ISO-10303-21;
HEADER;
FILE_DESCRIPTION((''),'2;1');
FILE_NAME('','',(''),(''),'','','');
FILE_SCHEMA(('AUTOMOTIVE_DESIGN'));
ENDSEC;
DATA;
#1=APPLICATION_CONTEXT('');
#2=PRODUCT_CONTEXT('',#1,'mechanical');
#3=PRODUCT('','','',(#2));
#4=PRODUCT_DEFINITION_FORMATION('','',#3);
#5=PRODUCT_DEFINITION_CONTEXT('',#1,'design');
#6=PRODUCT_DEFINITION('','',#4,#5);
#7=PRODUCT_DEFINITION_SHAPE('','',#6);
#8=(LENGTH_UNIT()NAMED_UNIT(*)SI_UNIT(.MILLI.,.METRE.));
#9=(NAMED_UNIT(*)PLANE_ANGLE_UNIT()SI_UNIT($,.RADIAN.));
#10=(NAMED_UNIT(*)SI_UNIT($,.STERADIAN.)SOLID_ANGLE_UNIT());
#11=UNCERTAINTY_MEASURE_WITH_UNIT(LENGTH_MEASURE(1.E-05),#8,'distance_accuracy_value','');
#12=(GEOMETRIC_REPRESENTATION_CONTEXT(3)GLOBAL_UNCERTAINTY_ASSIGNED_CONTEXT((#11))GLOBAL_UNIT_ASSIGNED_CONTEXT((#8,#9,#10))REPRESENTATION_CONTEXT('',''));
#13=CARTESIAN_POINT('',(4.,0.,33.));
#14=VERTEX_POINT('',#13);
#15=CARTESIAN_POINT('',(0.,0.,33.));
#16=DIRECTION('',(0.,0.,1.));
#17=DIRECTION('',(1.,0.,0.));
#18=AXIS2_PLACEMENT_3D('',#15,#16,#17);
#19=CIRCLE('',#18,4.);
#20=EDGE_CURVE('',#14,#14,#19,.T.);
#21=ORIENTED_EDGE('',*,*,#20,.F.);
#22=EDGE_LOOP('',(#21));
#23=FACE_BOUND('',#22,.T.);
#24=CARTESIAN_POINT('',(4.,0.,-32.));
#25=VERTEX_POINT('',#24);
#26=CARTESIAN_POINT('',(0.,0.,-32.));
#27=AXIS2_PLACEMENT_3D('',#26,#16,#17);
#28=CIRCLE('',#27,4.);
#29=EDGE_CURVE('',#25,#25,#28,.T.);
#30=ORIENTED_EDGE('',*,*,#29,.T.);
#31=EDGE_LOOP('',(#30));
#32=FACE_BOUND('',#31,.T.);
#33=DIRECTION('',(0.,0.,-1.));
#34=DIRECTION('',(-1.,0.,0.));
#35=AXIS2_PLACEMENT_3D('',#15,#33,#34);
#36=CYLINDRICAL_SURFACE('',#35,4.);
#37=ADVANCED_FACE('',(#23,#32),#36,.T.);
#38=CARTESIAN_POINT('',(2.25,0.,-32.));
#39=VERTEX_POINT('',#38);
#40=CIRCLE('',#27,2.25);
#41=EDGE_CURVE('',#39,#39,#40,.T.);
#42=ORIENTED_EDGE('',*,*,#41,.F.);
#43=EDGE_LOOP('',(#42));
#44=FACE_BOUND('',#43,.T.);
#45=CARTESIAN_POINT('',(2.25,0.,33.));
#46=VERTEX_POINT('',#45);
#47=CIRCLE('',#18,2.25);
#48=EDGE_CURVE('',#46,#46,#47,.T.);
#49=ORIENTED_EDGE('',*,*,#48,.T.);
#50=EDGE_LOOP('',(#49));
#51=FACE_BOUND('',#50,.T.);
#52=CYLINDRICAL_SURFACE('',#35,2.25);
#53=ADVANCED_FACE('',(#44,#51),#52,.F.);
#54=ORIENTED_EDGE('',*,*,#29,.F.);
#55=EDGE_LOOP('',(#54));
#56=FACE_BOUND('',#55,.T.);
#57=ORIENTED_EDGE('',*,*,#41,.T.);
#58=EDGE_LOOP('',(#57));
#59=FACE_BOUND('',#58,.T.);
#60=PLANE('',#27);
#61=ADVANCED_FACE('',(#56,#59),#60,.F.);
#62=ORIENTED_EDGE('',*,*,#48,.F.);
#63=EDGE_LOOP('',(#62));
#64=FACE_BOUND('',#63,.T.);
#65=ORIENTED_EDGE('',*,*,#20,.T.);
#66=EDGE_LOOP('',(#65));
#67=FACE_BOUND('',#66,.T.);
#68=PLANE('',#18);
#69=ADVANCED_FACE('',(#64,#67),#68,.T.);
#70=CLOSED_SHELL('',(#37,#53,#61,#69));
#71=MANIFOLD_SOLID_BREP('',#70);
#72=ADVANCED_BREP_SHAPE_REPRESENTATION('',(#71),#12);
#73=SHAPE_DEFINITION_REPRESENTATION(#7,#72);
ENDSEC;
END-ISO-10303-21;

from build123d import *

# Parameters (mm, degrees)
TIE_TUBE_START = -32
SKETCH_1_R     = 4
SKETCH_1_R_2   = 2.25
TIE_TUBE_DEPTH = 65


with BuildPart() as part:
    # Эскиз1 → Tie_tube (new body)
    with BuildSketch(Plane.XY.offset(TIE_TUBE_START)):
        Circle(SKETCH_1_R)
        Circle(SKETCH_1_R_2, mode=Mode.SUBTRACT)
    extrude(amount=TIE_TUBE_DEPTH)


solid = part.part
